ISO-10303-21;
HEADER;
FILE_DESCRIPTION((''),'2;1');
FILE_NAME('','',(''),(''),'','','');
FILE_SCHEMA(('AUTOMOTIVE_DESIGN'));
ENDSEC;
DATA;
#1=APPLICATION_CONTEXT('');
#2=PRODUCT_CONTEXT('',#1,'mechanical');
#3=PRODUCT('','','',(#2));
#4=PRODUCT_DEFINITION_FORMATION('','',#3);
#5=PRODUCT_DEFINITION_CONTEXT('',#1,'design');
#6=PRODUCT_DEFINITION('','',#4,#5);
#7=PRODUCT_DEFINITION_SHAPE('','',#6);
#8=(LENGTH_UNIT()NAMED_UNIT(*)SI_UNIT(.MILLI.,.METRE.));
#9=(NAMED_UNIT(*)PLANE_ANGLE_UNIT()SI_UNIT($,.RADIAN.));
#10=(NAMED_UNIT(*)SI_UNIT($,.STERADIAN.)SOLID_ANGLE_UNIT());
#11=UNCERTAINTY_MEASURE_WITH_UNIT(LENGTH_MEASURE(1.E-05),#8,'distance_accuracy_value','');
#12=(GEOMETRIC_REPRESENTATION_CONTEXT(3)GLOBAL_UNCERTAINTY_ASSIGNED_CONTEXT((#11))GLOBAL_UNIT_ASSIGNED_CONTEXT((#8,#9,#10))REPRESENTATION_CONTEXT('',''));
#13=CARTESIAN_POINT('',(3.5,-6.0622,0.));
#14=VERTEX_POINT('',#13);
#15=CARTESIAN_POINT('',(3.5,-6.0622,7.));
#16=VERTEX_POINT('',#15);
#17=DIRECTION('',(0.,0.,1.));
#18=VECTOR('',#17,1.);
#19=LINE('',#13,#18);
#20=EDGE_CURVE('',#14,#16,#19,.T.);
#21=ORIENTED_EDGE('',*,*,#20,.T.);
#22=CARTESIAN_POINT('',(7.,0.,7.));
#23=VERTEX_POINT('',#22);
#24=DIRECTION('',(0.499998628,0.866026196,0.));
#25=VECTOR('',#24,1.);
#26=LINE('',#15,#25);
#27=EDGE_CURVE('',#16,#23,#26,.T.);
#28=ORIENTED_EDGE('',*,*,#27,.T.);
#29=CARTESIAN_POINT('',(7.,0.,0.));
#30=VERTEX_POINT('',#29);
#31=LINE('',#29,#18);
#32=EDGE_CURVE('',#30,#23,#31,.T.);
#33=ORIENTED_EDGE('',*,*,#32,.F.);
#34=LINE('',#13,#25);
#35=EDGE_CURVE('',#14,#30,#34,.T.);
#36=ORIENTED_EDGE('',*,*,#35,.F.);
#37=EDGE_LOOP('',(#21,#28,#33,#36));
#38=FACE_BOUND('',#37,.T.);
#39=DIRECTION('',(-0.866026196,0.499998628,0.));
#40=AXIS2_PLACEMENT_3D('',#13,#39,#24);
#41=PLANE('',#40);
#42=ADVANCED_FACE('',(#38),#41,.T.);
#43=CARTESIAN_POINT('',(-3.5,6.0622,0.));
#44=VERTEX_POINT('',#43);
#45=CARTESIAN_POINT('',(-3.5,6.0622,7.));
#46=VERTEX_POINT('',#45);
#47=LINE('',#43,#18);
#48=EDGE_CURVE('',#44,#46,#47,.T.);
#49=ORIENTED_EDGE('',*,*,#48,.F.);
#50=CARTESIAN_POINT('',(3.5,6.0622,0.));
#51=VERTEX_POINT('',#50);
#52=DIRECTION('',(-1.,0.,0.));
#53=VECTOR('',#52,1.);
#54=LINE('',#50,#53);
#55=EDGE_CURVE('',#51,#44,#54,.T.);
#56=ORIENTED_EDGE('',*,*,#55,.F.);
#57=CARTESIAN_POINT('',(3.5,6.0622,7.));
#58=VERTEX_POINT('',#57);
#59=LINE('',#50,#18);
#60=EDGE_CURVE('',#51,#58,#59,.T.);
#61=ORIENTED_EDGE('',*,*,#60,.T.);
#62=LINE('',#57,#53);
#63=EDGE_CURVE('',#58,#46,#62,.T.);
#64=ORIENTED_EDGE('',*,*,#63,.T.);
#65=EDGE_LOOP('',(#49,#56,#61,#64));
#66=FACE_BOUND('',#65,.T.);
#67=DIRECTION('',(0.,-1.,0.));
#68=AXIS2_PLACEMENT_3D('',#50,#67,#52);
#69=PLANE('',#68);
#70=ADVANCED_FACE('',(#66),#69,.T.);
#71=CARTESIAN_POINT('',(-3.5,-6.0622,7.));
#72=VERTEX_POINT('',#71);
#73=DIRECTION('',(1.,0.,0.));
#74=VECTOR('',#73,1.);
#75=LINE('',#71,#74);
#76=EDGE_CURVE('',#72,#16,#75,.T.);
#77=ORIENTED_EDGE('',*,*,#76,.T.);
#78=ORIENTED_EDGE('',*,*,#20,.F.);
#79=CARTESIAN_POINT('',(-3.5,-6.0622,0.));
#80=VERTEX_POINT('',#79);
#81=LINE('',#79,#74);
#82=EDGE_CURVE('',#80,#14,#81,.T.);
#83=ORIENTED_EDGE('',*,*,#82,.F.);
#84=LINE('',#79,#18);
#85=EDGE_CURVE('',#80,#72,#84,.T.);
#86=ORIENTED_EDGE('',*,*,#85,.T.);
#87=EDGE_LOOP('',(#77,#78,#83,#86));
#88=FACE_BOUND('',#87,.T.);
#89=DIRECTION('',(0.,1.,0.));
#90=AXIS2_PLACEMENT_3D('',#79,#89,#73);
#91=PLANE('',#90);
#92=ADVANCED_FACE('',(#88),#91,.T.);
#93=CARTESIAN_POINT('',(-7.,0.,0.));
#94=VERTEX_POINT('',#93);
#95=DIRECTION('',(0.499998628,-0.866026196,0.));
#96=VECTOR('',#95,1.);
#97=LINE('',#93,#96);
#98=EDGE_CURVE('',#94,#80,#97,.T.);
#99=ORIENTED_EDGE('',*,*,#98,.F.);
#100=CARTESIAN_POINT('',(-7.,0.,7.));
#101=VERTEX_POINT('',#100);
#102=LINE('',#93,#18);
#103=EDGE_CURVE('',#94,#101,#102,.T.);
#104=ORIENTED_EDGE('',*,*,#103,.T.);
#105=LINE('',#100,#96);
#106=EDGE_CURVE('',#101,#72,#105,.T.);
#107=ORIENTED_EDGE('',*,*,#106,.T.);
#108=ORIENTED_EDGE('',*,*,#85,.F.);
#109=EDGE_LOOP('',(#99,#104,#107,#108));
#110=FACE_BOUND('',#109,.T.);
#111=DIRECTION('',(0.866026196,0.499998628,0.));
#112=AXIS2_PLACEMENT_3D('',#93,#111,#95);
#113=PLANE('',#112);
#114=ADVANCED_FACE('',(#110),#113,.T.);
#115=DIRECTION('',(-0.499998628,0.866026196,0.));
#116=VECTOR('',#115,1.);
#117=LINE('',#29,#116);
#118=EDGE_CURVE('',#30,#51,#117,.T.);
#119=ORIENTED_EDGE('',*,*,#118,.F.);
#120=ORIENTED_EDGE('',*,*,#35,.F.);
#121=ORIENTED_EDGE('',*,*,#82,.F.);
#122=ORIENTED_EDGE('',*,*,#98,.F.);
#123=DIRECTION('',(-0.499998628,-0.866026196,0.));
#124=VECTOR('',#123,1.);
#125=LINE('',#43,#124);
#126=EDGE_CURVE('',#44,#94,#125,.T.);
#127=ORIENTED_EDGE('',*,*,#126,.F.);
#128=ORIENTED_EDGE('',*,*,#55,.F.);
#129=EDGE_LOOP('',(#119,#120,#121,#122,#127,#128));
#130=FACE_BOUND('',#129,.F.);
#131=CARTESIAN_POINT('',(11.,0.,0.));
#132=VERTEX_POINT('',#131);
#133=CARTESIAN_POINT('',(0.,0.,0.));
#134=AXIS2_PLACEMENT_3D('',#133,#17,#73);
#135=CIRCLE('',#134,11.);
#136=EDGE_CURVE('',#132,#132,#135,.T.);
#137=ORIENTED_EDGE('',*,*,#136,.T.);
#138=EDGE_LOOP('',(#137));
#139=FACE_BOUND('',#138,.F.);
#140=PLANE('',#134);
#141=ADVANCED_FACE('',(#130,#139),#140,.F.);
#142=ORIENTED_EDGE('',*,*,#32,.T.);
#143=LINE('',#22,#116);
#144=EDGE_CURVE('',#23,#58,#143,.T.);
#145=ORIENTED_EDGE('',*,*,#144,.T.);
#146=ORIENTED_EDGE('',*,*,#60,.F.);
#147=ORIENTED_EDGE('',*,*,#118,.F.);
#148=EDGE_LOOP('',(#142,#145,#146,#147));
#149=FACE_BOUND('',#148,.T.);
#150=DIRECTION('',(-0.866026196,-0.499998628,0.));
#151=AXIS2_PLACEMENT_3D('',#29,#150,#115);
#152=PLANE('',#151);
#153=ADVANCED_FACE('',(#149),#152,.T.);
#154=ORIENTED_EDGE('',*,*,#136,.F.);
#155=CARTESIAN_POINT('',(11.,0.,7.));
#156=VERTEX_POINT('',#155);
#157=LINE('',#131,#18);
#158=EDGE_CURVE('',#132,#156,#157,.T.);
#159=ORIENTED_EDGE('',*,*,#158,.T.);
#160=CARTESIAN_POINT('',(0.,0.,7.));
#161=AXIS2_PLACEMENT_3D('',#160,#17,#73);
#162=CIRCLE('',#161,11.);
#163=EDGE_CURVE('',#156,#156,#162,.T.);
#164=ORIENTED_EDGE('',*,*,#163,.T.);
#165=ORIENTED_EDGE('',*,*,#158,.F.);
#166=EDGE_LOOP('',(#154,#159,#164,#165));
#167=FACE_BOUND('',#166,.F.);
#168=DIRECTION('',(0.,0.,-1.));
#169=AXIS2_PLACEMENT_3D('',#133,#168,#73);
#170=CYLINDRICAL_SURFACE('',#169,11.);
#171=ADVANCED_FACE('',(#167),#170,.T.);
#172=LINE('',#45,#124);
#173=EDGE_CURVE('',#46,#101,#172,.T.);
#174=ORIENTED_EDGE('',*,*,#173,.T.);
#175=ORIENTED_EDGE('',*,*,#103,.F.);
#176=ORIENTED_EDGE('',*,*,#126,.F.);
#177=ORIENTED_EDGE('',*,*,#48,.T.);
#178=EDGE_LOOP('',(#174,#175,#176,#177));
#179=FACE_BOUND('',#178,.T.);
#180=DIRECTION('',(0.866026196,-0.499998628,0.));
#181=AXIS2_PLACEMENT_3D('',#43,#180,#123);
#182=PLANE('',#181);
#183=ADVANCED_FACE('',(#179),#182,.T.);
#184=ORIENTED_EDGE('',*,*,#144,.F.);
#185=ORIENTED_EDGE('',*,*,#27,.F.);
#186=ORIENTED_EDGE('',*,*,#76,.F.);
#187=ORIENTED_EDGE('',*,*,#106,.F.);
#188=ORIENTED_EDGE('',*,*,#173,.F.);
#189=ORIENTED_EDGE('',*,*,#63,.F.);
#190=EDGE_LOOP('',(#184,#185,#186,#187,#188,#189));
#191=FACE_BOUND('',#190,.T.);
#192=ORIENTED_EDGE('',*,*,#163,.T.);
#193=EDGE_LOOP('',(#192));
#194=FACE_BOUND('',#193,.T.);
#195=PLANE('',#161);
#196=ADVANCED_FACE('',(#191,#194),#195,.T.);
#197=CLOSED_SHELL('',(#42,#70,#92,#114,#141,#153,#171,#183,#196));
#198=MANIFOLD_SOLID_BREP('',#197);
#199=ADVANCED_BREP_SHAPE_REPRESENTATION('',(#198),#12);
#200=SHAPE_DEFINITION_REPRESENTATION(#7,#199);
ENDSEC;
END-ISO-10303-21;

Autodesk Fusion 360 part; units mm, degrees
sketch "Sketch1" plane through (0, 0, 0) normal (0, 0, 1) x (1, 0, 0)
  line L0 (7, 0) -> (3.5, 6.0622)
  line L1 (3.5, 6.0622) -> (-3.5, 6.0622)
  line L2 (-3.5, 6.0622) -> (-7, 0)
  line L3 (-7, 0) -> (-3.5, -6.0622)
  line L4 (-3.5, -6.0622) -> (3.5, -6.0622)
  line L5 (3.5, -6.0622) -> (7, 0)
  circle A0 centre (0, 0) radius 11
  dimension "d1" = 7
  dimension "d2" = 22
extrude "Extrude1" add sketch "Sketch1" along normal blind 7
